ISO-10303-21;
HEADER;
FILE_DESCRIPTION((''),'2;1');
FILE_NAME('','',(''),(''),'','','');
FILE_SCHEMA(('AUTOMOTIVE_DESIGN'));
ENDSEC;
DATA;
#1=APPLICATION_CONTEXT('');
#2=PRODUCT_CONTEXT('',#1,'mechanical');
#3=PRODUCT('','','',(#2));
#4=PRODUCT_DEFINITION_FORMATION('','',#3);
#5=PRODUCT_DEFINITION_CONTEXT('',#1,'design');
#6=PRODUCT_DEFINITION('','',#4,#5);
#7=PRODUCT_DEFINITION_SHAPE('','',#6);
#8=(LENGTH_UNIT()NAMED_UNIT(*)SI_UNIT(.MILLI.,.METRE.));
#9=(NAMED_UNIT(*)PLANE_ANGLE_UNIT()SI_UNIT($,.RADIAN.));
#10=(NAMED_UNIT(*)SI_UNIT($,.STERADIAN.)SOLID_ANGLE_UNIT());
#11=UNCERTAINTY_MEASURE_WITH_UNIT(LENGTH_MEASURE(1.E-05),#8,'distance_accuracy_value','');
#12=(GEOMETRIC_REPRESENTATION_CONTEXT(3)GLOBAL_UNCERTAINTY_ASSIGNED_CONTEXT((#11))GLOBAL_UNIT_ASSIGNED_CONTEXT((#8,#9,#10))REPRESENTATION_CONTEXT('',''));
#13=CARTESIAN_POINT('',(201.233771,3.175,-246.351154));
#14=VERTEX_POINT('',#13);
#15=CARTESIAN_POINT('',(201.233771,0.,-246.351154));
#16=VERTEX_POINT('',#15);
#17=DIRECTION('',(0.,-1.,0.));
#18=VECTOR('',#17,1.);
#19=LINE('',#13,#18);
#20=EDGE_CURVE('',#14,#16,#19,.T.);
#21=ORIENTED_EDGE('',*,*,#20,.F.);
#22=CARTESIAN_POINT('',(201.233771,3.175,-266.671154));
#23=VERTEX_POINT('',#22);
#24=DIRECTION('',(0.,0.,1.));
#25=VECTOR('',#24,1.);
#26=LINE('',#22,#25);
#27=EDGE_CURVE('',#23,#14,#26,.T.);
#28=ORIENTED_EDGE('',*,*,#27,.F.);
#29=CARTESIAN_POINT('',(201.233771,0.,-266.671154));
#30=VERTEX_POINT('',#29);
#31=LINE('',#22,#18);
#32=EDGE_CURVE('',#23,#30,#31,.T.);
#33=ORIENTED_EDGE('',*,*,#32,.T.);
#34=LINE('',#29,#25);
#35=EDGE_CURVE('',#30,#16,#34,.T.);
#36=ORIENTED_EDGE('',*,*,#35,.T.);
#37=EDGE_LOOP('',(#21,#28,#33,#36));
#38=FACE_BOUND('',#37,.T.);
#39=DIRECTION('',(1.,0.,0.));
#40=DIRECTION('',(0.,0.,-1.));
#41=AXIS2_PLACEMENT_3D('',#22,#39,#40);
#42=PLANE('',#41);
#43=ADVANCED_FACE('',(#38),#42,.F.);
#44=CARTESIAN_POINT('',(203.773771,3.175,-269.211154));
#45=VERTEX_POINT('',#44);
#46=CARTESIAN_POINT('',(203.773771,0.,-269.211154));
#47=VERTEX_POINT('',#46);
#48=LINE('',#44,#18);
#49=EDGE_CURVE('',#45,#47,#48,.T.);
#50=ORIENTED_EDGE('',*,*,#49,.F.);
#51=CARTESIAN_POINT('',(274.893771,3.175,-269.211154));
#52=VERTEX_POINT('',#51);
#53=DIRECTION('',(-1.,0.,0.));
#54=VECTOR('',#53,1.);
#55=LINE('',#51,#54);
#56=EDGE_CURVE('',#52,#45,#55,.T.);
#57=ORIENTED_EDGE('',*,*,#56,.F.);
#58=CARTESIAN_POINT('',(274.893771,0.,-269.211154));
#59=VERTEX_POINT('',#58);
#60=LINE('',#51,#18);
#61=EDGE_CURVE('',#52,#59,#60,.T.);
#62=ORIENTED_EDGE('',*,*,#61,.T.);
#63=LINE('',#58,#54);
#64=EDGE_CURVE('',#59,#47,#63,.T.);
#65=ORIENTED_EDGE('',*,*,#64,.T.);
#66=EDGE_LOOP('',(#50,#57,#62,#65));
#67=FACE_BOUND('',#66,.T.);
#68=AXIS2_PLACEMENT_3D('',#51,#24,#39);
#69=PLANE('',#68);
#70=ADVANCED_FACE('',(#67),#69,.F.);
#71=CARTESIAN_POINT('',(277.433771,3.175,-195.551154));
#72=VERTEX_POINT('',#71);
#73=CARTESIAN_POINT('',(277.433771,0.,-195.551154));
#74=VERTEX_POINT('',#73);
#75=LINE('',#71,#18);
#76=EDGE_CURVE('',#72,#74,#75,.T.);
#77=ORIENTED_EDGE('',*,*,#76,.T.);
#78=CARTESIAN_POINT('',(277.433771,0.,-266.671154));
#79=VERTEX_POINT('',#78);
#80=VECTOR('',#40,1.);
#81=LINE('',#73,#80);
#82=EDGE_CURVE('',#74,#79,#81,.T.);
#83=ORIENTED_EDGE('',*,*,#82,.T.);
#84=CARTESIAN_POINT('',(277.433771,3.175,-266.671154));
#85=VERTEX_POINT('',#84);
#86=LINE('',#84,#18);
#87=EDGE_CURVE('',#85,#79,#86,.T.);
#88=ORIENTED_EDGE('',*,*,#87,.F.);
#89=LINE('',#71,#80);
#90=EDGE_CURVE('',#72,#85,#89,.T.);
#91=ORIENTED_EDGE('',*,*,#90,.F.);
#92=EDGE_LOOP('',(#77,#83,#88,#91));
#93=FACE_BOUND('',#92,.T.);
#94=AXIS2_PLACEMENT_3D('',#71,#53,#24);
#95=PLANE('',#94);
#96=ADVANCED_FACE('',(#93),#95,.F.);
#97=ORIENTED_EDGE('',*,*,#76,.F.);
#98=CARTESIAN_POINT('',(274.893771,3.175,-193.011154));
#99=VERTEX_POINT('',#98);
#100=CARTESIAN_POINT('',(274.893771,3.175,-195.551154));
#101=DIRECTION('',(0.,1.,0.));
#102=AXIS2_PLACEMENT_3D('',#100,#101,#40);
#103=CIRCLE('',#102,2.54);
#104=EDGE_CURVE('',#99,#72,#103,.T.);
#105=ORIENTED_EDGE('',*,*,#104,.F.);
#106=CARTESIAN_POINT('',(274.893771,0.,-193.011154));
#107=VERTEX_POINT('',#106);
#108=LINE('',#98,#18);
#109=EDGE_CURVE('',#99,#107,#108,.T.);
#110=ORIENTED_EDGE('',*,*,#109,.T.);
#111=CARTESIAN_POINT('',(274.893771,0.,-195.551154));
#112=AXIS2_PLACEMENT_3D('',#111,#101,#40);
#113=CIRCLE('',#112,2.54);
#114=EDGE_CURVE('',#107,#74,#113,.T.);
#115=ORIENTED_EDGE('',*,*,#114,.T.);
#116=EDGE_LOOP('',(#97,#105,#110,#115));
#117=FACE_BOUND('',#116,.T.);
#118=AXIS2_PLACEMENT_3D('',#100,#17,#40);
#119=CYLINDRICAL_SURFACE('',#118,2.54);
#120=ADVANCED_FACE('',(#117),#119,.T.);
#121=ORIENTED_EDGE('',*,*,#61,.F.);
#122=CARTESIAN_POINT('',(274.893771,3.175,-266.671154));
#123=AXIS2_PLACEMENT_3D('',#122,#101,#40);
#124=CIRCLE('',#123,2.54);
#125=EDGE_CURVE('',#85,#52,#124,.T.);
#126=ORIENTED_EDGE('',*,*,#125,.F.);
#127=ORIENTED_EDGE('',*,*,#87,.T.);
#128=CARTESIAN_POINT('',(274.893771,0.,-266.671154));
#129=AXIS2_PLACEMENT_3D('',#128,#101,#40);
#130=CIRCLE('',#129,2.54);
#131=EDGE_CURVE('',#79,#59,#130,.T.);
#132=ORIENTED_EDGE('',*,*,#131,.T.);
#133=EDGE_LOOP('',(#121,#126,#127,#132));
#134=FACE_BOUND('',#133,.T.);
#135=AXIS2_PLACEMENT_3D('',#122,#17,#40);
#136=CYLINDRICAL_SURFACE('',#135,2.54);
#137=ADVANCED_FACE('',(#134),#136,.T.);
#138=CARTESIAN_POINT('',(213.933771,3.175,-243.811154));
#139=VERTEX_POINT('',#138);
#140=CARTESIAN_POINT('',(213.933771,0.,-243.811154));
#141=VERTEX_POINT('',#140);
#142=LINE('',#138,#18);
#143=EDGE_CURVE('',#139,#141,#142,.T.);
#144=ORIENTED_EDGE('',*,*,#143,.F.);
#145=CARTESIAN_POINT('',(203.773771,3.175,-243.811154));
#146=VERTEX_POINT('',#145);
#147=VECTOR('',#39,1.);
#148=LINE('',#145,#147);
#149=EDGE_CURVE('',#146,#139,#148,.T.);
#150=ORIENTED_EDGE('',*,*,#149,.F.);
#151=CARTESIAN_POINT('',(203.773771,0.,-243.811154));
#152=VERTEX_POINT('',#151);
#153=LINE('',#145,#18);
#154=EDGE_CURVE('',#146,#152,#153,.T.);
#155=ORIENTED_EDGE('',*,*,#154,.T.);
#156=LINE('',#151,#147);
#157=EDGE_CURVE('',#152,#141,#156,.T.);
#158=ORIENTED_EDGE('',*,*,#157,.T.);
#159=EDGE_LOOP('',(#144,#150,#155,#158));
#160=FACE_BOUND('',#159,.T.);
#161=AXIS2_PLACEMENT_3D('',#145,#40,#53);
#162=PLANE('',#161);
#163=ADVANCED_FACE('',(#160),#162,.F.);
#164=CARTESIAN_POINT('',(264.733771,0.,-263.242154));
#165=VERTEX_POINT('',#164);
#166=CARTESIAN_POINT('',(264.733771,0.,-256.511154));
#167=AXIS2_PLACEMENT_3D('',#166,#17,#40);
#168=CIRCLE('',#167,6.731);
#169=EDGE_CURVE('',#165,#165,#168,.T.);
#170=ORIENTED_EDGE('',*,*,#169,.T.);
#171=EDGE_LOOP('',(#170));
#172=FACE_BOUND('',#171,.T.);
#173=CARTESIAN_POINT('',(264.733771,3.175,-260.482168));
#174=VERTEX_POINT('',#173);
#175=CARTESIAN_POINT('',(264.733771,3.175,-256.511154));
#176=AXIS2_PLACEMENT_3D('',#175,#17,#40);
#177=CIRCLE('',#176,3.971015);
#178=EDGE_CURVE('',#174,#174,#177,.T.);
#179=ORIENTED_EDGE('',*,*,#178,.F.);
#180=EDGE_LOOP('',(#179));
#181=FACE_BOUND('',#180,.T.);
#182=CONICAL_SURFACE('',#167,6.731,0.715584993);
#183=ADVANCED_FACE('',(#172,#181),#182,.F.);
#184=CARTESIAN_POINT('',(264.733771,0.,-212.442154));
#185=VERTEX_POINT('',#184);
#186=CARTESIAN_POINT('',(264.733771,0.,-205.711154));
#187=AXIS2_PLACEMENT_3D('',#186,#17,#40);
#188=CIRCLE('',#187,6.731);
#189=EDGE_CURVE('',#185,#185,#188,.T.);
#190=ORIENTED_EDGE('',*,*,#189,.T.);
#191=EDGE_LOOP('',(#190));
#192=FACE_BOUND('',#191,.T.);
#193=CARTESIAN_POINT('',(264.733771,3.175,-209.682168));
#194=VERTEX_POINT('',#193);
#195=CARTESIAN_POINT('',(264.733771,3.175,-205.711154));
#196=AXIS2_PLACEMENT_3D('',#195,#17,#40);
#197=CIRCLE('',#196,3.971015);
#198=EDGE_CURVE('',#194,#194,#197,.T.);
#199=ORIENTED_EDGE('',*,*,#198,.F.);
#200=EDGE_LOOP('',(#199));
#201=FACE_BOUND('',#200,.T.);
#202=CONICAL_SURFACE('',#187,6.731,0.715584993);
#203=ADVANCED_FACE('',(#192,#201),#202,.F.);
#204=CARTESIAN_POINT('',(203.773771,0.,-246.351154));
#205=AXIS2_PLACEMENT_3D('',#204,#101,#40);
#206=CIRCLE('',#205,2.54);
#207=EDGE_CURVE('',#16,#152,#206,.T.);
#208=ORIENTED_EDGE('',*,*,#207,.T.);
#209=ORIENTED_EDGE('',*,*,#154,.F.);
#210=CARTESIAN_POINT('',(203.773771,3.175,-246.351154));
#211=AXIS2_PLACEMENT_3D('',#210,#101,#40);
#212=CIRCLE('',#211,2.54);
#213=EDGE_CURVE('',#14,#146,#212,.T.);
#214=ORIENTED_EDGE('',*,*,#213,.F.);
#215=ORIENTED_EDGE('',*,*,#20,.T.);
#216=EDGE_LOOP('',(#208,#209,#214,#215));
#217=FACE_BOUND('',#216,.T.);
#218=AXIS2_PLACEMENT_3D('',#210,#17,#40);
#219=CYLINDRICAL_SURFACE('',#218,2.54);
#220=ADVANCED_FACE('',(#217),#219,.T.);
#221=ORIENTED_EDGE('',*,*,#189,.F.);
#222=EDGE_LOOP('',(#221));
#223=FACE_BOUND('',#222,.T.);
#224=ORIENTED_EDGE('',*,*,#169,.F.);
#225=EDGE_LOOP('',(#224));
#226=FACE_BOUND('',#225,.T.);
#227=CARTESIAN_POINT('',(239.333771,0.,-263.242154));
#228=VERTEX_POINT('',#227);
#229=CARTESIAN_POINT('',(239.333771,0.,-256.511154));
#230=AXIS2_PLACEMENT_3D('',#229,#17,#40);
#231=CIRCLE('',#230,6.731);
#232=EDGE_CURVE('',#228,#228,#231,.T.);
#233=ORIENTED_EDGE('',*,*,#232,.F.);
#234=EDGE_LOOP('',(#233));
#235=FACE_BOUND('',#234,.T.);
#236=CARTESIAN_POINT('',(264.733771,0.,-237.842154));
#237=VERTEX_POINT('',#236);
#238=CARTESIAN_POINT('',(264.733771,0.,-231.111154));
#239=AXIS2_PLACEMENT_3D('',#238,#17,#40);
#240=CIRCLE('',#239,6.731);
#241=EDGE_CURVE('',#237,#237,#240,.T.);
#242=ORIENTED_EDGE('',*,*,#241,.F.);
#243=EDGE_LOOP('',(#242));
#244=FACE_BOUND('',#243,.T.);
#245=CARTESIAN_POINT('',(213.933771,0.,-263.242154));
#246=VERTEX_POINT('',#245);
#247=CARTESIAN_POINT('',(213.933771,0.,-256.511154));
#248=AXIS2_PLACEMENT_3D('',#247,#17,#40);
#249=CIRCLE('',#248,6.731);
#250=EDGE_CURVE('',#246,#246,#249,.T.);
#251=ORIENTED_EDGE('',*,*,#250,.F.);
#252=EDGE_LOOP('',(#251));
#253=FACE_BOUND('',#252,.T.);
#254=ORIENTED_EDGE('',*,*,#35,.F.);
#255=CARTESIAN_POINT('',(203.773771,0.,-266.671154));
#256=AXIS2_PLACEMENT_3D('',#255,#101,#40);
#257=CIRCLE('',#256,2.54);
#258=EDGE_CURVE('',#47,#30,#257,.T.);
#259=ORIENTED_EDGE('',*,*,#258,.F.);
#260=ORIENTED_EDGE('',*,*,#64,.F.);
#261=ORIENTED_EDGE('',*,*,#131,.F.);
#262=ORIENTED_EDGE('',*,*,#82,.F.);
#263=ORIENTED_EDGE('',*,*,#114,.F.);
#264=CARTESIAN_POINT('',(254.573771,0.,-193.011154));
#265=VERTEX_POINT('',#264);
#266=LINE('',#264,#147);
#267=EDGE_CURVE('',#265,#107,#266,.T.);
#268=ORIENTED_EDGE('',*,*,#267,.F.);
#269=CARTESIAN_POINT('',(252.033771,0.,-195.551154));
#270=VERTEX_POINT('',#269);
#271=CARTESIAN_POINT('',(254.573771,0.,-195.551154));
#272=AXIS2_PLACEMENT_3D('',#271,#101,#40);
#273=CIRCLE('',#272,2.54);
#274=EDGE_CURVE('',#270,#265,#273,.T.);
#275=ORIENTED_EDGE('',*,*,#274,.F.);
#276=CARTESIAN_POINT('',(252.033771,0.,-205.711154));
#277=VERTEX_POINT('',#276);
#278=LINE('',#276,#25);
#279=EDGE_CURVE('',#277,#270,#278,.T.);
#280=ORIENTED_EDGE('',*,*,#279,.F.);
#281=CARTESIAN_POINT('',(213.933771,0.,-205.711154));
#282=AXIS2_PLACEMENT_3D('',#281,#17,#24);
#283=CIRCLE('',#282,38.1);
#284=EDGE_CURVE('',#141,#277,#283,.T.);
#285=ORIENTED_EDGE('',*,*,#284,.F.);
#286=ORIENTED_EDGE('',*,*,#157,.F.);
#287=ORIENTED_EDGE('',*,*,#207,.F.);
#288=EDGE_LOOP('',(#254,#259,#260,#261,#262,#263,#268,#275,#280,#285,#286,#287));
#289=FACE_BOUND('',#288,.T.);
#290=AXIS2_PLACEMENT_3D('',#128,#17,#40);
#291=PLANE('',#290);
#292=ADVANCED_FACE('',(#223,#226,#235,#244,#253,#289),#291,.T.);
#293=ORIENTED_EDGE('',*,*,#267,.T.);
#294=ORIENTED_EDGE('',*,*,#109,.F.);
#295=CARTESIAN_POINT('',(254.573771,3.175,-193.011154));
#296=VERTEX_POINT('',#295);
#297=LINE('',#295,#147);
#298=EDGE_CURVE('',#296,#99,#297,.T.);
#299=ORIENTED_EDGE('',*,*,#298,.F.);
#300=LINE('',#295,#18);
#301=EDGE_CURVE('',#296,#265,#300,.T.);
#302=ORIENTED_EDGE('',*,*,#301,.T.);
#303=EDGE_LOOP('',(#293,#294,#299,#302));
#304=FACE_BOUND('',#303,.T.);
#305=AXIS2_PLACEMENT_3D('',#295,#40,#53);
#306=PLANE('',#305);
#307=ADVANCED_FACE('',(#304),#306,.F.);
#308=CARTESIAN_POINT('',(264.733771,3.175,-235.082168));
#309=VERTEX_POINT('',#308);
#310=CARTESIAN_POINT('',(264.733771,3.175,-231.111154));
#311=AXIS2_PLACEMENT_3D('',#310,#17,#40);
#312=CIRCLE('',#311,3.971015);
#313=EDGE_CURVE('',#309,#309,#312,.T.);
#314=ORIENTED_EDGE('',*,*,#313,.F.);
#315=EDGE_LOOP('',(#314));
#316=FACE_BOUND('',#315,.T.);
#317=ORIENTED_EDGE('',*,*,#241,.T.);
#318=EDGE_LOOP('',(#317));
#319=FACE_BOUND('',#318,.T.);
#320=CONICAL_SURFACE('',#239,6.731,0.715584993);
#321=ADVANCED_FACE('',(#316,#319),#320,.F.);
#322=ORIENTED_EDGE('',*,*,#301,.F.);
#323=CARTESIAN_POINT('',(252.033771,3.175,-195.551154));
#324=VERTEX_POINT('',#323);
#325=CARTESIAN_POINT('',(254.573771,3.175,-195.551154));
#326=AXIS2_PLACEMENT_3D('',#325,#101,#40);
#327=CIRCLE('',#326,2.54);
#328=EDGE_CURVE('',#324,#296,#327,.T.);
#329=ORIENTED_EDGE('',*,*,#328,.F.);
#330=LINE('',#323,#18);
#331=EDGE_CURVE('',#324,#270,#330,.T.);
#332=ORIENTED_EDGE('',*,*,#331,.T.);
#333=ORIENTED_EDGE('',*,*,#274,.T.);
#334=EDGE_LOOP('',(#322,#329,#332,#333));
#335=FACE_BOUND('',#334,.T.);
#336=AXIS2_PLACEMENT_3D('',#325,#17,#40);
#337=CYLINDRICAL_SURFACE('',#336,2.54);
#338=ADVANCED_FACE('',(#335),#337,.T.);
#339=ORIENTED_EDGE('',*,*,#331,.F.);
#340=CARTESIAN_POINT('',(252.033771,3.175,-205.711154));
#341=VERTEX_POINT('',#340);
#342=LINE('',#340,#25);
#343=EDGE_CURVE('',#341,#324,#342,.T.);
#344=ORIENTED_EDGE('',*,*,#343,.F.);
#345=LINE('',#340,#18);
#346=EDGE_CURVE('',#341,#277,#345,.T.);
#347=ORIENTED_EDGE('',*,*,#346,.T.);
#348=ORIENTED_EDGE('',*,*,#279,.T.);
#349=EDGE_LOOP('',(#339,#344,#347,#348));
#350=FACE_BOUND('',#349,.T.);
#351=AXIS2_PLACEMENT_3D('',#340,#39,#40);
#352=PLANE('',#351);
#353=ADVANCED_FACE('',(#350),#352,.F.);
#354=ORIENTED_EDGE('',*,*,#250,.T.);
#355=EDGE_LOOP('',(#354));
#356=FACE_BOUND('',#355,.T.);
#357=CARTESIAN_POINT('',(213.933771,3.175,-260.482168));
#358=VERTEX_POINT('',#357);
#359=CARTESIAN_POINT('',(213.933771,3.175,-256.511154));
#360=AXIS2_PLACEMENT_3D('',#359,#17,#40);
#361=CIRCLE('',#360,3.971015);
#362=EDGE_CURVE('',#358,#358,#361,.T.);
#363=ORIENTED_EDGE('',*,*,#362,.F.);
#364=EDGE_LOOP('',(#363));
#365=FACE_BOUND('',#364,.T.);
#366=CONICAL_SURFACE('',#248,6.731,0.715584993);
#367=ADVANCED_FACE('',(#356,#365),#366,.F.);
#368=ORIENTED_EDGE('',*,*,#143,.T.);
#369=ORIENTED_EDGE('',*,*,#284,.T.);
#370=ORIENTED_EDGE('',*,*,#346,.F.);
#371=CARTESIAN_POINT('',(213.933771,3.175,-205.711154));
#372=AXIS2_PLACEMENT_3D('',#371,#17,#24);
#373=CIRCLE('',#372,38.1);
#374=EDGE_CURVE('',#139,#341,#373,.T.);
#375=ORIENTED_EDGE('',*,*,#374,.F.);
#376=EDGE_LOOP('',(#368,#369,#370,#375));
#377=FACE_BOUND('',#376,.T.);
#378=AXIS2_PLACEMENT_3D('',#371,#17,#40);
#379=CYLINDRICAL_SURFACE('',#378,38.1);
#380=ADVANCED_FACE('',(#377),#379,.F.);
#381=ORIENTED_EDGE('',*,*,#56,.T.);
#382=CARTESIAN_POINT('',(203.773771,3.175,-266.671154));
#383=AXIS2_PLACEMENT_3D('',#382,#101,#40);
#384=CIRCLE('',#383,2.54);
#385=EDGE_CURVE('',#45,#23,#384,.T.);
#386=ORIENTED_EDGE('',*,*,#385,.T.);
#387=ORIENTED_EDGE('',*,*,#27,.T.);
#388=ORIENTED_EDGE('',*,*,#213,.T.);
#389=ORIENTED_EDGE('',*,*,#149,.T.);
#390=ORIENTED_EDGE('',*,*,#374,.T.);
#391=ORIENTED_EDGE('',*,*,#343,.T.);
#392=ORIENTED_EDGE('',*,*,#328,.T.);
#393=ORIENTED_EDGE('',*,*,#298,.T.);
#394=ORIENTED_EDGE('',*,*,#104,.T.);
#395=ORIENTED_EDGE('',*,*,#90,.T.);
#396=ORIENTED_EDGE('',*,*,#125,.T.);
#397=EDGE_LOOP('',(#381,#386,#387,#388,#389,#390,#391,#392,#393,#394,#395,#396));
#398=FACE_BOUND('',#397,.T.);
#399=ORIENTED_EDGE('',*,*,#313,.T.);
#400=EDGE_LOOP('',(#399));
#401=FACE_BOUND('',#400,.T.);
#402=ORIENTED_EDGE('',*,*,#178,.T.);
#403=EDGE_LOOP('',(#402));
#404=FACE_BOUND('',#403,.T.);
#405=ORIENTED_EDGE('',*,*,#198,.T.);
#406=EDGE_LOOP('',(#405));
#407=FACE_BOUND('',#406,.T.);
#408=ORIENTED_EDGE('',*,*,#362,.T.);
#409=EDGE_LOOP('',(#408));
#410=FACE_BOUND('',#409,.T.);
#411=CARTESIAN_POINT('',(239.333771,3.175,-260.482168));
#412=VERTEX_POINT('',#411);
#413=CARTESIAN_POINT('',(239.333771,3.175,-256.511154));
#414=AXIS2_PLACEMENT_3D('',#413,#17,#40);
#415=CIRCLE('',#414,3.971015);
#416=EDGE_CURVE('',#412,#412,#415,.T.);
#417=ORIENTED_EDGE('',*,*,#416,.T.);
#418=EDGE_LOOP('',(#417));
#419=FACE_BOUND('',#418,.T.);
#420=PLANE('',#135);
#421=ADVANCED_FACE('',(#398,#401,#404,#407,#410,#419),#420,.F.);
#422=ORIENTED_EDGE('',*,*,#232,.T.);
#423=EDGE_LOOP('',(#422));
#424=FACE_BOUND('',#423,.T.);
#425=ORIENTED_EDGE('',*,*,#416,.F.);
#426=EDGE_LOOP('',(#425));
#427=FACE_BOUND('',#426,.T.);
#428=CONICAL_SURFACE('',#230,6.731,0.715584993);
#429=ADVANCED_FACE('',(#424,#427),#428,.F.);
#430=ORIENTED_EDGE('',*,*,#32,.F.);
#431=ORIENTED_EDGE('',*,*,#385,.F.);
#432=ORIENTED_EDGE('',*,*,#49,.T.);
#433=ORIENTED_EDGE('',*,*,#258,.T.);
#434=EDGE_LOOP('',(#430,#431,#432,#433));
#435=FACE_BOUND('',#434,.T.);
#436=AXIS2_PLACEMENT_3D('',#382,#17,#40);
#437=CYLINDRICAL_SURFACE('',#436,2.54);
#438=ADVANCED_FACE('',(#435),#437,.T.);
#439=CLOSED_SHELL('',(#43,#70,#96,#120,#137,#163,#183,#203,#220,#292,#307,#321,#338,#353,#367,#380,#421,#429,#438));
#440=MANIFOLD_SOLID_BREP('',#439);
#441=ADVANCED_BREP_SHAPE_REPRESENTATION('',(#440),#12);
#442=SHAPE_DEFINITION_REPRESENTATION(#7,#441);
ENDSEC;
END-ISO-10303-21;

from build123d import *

# Parameters (mm, degrees)
BOSS_EXTRUDE1_DEPTH                  = 3.175
F_1_4_0_25_DIAMETER_HOLE1_AT_2_COUNT = 2
F_1_4_0_25_DIAMETER_HOLE1_AT_2_PITCH = 25.4
F_1_4_0_25_DIAMETER_HOLE1_AT_3_COUNT = 2
F_1_4_0_25_DIAMETER_HOLE1_AT_3_PITCH = 50.8
F_1_4_0_25_DIAMETER_HOLE1_AT_4_COUNT = 2
F_1_4_0_25_DIAMETER_HOLE1_AT_4_PITCH = 56.796126628
F_1_4_0_25_DIAMETER_HOLE1_AT_5_COUNT = 2
F_1_4_0_25_DIAMETER_HOLE1_AT_5_PITCH = 71.842048969


with BuildPart() as part:
    # Sketch1 → Boss-Extrude1 (new body)
    with BuildSketch(Plane(origin=(0, 0, 0), x_dir=(1, 0, 0), z_dir=(0, 1, 0))):
        with BuildLine():
            Line((274.893771244, 269.21115375), (203.773771244, 269.21115375))
            ThreePointArc((203.773771244, 269.21115375), (201.97772002, 268.467204975), (201.233771244, 266.67115375))
            Line((201.233771244, 266.67115375), (201.233771244, 246.35115375))
            ThreePointArc((201.233771244, 246.35115375), (201.97772002, 244.555102526), (203.773771244, 243.81115375))
            Line((203.773771244, 243.81115375), (213.933771244, 243.81115375))
            ThreePointArc((213.933771244, 243.81115375), (240.874539608, 232.651922114), (252.033771244, 205.71115375))
            Line((252.033771244, 205.71115375), (252.033771244, 195.55115375))
            ThreePointArc((252.033771244, 195.55115375), (252.77772002, 193.755102526), (254.573771244, 193.01115375))
            Line((254.573771244, 193.01115375), (274.893771244, 193.01115375))
            ThreePointArc((274.893771244, 193.01115375), (276.689822469, 193.755102526), (277.433771244, 195.55115375))
            Line((277.433771244, 195.55115375), (277.433771244, 266.67115375))
            ThreePointArc((277.433771244, 266.67115375), (276.689822469, 268.467204975), (274.893771244, 269.21115375))
        make_face()
    extrude(amount=BOSS_EXTRUDE1_DEPTH)

    # Sketch4 → 1/4 (0.25) Diameter Hole1 (revolve, cut)
    with BuildSketch(Plane(origin=(264.733771244, 0, -205.71115375), x_dir=(0, 0, -1), z_dir=(1, 0, 0))):
        Polygon((0, 0), (0, 3.175), (3.175, 3.175), (3.175, 4.090710056), (6.731, 0), align=None)
    f_1_4_0_25_diameter_hole1 = revolve(axis=Axis((264.733771244, -6.35, -205.71115375), (0, 1, 0)), mode=Mode.SUBTRACT)

    # 1/4 (0.25) Diameter Hole1 at 2: 1/4 (0.25) Diameter Hole1 ×2
    with Locations(*[(0, 0, -i * F_1_4_0_25_DIAMETER_HOLE1_AT_2_PITCH) for i in range(1, F_1_4_0_25_DIAMETER_HOLE1_AT_2_COUNT)]):
        add(f_1_4_0_25_diameter_hole1, mode=Mode.SUBTRACT)

    # 1/4 (0.25) Diameter Hole1 at 3: 1/4 (0.25) Diameter Hole1 ×2
    with Locations(*[(0, 0, -i * F_1_4_0_25_DIAMETER_HOLE1_AT_3_PITCH) for i in range(1, F_1_4_0_25_DIAMETER_HOLE1_AT_3_COUNT)]):
        add(f_1_4_0_25_diameter_hole1, mode=Mode.SUBTRACT)

    # 1/4 (0.25) Diameter Hole1 at 4: 1/4 (0.25) Diameter Hole1 ×2
    with Locations(*[Vector(-0.44721359549993195, 0, -0.894427190999929) * (i * F_1_4_0_25_DIAMETER_HOLE1_AT_4_PITCH) for i in range(1, F_1_4_0_25_DIAMETER_HOLE1_AT_4_COUNT)]):
        add(f_1_4_0_25_diameter_hole1, mode=Mode.SUBTRACT)

    # 1/4 (0.25) Diameter Hole1 at 5: 1/4 (0.25) Diameter Hole1 ×2
    with Locations(*[Vector(-0.7071067811865277, 0, -0.7071067811865673) * (i * F_1_4_0_25_DIAMETER_HOLE1_AT_5_PITCH) for i in range(1, F_1_4_0_25_DIAMETER_HOLE1_AT_5_COUNT)]):
        add(f_1_4_0_25_diameter_hole1, mode=Mode.SUBTRACT)


solid = part.part
